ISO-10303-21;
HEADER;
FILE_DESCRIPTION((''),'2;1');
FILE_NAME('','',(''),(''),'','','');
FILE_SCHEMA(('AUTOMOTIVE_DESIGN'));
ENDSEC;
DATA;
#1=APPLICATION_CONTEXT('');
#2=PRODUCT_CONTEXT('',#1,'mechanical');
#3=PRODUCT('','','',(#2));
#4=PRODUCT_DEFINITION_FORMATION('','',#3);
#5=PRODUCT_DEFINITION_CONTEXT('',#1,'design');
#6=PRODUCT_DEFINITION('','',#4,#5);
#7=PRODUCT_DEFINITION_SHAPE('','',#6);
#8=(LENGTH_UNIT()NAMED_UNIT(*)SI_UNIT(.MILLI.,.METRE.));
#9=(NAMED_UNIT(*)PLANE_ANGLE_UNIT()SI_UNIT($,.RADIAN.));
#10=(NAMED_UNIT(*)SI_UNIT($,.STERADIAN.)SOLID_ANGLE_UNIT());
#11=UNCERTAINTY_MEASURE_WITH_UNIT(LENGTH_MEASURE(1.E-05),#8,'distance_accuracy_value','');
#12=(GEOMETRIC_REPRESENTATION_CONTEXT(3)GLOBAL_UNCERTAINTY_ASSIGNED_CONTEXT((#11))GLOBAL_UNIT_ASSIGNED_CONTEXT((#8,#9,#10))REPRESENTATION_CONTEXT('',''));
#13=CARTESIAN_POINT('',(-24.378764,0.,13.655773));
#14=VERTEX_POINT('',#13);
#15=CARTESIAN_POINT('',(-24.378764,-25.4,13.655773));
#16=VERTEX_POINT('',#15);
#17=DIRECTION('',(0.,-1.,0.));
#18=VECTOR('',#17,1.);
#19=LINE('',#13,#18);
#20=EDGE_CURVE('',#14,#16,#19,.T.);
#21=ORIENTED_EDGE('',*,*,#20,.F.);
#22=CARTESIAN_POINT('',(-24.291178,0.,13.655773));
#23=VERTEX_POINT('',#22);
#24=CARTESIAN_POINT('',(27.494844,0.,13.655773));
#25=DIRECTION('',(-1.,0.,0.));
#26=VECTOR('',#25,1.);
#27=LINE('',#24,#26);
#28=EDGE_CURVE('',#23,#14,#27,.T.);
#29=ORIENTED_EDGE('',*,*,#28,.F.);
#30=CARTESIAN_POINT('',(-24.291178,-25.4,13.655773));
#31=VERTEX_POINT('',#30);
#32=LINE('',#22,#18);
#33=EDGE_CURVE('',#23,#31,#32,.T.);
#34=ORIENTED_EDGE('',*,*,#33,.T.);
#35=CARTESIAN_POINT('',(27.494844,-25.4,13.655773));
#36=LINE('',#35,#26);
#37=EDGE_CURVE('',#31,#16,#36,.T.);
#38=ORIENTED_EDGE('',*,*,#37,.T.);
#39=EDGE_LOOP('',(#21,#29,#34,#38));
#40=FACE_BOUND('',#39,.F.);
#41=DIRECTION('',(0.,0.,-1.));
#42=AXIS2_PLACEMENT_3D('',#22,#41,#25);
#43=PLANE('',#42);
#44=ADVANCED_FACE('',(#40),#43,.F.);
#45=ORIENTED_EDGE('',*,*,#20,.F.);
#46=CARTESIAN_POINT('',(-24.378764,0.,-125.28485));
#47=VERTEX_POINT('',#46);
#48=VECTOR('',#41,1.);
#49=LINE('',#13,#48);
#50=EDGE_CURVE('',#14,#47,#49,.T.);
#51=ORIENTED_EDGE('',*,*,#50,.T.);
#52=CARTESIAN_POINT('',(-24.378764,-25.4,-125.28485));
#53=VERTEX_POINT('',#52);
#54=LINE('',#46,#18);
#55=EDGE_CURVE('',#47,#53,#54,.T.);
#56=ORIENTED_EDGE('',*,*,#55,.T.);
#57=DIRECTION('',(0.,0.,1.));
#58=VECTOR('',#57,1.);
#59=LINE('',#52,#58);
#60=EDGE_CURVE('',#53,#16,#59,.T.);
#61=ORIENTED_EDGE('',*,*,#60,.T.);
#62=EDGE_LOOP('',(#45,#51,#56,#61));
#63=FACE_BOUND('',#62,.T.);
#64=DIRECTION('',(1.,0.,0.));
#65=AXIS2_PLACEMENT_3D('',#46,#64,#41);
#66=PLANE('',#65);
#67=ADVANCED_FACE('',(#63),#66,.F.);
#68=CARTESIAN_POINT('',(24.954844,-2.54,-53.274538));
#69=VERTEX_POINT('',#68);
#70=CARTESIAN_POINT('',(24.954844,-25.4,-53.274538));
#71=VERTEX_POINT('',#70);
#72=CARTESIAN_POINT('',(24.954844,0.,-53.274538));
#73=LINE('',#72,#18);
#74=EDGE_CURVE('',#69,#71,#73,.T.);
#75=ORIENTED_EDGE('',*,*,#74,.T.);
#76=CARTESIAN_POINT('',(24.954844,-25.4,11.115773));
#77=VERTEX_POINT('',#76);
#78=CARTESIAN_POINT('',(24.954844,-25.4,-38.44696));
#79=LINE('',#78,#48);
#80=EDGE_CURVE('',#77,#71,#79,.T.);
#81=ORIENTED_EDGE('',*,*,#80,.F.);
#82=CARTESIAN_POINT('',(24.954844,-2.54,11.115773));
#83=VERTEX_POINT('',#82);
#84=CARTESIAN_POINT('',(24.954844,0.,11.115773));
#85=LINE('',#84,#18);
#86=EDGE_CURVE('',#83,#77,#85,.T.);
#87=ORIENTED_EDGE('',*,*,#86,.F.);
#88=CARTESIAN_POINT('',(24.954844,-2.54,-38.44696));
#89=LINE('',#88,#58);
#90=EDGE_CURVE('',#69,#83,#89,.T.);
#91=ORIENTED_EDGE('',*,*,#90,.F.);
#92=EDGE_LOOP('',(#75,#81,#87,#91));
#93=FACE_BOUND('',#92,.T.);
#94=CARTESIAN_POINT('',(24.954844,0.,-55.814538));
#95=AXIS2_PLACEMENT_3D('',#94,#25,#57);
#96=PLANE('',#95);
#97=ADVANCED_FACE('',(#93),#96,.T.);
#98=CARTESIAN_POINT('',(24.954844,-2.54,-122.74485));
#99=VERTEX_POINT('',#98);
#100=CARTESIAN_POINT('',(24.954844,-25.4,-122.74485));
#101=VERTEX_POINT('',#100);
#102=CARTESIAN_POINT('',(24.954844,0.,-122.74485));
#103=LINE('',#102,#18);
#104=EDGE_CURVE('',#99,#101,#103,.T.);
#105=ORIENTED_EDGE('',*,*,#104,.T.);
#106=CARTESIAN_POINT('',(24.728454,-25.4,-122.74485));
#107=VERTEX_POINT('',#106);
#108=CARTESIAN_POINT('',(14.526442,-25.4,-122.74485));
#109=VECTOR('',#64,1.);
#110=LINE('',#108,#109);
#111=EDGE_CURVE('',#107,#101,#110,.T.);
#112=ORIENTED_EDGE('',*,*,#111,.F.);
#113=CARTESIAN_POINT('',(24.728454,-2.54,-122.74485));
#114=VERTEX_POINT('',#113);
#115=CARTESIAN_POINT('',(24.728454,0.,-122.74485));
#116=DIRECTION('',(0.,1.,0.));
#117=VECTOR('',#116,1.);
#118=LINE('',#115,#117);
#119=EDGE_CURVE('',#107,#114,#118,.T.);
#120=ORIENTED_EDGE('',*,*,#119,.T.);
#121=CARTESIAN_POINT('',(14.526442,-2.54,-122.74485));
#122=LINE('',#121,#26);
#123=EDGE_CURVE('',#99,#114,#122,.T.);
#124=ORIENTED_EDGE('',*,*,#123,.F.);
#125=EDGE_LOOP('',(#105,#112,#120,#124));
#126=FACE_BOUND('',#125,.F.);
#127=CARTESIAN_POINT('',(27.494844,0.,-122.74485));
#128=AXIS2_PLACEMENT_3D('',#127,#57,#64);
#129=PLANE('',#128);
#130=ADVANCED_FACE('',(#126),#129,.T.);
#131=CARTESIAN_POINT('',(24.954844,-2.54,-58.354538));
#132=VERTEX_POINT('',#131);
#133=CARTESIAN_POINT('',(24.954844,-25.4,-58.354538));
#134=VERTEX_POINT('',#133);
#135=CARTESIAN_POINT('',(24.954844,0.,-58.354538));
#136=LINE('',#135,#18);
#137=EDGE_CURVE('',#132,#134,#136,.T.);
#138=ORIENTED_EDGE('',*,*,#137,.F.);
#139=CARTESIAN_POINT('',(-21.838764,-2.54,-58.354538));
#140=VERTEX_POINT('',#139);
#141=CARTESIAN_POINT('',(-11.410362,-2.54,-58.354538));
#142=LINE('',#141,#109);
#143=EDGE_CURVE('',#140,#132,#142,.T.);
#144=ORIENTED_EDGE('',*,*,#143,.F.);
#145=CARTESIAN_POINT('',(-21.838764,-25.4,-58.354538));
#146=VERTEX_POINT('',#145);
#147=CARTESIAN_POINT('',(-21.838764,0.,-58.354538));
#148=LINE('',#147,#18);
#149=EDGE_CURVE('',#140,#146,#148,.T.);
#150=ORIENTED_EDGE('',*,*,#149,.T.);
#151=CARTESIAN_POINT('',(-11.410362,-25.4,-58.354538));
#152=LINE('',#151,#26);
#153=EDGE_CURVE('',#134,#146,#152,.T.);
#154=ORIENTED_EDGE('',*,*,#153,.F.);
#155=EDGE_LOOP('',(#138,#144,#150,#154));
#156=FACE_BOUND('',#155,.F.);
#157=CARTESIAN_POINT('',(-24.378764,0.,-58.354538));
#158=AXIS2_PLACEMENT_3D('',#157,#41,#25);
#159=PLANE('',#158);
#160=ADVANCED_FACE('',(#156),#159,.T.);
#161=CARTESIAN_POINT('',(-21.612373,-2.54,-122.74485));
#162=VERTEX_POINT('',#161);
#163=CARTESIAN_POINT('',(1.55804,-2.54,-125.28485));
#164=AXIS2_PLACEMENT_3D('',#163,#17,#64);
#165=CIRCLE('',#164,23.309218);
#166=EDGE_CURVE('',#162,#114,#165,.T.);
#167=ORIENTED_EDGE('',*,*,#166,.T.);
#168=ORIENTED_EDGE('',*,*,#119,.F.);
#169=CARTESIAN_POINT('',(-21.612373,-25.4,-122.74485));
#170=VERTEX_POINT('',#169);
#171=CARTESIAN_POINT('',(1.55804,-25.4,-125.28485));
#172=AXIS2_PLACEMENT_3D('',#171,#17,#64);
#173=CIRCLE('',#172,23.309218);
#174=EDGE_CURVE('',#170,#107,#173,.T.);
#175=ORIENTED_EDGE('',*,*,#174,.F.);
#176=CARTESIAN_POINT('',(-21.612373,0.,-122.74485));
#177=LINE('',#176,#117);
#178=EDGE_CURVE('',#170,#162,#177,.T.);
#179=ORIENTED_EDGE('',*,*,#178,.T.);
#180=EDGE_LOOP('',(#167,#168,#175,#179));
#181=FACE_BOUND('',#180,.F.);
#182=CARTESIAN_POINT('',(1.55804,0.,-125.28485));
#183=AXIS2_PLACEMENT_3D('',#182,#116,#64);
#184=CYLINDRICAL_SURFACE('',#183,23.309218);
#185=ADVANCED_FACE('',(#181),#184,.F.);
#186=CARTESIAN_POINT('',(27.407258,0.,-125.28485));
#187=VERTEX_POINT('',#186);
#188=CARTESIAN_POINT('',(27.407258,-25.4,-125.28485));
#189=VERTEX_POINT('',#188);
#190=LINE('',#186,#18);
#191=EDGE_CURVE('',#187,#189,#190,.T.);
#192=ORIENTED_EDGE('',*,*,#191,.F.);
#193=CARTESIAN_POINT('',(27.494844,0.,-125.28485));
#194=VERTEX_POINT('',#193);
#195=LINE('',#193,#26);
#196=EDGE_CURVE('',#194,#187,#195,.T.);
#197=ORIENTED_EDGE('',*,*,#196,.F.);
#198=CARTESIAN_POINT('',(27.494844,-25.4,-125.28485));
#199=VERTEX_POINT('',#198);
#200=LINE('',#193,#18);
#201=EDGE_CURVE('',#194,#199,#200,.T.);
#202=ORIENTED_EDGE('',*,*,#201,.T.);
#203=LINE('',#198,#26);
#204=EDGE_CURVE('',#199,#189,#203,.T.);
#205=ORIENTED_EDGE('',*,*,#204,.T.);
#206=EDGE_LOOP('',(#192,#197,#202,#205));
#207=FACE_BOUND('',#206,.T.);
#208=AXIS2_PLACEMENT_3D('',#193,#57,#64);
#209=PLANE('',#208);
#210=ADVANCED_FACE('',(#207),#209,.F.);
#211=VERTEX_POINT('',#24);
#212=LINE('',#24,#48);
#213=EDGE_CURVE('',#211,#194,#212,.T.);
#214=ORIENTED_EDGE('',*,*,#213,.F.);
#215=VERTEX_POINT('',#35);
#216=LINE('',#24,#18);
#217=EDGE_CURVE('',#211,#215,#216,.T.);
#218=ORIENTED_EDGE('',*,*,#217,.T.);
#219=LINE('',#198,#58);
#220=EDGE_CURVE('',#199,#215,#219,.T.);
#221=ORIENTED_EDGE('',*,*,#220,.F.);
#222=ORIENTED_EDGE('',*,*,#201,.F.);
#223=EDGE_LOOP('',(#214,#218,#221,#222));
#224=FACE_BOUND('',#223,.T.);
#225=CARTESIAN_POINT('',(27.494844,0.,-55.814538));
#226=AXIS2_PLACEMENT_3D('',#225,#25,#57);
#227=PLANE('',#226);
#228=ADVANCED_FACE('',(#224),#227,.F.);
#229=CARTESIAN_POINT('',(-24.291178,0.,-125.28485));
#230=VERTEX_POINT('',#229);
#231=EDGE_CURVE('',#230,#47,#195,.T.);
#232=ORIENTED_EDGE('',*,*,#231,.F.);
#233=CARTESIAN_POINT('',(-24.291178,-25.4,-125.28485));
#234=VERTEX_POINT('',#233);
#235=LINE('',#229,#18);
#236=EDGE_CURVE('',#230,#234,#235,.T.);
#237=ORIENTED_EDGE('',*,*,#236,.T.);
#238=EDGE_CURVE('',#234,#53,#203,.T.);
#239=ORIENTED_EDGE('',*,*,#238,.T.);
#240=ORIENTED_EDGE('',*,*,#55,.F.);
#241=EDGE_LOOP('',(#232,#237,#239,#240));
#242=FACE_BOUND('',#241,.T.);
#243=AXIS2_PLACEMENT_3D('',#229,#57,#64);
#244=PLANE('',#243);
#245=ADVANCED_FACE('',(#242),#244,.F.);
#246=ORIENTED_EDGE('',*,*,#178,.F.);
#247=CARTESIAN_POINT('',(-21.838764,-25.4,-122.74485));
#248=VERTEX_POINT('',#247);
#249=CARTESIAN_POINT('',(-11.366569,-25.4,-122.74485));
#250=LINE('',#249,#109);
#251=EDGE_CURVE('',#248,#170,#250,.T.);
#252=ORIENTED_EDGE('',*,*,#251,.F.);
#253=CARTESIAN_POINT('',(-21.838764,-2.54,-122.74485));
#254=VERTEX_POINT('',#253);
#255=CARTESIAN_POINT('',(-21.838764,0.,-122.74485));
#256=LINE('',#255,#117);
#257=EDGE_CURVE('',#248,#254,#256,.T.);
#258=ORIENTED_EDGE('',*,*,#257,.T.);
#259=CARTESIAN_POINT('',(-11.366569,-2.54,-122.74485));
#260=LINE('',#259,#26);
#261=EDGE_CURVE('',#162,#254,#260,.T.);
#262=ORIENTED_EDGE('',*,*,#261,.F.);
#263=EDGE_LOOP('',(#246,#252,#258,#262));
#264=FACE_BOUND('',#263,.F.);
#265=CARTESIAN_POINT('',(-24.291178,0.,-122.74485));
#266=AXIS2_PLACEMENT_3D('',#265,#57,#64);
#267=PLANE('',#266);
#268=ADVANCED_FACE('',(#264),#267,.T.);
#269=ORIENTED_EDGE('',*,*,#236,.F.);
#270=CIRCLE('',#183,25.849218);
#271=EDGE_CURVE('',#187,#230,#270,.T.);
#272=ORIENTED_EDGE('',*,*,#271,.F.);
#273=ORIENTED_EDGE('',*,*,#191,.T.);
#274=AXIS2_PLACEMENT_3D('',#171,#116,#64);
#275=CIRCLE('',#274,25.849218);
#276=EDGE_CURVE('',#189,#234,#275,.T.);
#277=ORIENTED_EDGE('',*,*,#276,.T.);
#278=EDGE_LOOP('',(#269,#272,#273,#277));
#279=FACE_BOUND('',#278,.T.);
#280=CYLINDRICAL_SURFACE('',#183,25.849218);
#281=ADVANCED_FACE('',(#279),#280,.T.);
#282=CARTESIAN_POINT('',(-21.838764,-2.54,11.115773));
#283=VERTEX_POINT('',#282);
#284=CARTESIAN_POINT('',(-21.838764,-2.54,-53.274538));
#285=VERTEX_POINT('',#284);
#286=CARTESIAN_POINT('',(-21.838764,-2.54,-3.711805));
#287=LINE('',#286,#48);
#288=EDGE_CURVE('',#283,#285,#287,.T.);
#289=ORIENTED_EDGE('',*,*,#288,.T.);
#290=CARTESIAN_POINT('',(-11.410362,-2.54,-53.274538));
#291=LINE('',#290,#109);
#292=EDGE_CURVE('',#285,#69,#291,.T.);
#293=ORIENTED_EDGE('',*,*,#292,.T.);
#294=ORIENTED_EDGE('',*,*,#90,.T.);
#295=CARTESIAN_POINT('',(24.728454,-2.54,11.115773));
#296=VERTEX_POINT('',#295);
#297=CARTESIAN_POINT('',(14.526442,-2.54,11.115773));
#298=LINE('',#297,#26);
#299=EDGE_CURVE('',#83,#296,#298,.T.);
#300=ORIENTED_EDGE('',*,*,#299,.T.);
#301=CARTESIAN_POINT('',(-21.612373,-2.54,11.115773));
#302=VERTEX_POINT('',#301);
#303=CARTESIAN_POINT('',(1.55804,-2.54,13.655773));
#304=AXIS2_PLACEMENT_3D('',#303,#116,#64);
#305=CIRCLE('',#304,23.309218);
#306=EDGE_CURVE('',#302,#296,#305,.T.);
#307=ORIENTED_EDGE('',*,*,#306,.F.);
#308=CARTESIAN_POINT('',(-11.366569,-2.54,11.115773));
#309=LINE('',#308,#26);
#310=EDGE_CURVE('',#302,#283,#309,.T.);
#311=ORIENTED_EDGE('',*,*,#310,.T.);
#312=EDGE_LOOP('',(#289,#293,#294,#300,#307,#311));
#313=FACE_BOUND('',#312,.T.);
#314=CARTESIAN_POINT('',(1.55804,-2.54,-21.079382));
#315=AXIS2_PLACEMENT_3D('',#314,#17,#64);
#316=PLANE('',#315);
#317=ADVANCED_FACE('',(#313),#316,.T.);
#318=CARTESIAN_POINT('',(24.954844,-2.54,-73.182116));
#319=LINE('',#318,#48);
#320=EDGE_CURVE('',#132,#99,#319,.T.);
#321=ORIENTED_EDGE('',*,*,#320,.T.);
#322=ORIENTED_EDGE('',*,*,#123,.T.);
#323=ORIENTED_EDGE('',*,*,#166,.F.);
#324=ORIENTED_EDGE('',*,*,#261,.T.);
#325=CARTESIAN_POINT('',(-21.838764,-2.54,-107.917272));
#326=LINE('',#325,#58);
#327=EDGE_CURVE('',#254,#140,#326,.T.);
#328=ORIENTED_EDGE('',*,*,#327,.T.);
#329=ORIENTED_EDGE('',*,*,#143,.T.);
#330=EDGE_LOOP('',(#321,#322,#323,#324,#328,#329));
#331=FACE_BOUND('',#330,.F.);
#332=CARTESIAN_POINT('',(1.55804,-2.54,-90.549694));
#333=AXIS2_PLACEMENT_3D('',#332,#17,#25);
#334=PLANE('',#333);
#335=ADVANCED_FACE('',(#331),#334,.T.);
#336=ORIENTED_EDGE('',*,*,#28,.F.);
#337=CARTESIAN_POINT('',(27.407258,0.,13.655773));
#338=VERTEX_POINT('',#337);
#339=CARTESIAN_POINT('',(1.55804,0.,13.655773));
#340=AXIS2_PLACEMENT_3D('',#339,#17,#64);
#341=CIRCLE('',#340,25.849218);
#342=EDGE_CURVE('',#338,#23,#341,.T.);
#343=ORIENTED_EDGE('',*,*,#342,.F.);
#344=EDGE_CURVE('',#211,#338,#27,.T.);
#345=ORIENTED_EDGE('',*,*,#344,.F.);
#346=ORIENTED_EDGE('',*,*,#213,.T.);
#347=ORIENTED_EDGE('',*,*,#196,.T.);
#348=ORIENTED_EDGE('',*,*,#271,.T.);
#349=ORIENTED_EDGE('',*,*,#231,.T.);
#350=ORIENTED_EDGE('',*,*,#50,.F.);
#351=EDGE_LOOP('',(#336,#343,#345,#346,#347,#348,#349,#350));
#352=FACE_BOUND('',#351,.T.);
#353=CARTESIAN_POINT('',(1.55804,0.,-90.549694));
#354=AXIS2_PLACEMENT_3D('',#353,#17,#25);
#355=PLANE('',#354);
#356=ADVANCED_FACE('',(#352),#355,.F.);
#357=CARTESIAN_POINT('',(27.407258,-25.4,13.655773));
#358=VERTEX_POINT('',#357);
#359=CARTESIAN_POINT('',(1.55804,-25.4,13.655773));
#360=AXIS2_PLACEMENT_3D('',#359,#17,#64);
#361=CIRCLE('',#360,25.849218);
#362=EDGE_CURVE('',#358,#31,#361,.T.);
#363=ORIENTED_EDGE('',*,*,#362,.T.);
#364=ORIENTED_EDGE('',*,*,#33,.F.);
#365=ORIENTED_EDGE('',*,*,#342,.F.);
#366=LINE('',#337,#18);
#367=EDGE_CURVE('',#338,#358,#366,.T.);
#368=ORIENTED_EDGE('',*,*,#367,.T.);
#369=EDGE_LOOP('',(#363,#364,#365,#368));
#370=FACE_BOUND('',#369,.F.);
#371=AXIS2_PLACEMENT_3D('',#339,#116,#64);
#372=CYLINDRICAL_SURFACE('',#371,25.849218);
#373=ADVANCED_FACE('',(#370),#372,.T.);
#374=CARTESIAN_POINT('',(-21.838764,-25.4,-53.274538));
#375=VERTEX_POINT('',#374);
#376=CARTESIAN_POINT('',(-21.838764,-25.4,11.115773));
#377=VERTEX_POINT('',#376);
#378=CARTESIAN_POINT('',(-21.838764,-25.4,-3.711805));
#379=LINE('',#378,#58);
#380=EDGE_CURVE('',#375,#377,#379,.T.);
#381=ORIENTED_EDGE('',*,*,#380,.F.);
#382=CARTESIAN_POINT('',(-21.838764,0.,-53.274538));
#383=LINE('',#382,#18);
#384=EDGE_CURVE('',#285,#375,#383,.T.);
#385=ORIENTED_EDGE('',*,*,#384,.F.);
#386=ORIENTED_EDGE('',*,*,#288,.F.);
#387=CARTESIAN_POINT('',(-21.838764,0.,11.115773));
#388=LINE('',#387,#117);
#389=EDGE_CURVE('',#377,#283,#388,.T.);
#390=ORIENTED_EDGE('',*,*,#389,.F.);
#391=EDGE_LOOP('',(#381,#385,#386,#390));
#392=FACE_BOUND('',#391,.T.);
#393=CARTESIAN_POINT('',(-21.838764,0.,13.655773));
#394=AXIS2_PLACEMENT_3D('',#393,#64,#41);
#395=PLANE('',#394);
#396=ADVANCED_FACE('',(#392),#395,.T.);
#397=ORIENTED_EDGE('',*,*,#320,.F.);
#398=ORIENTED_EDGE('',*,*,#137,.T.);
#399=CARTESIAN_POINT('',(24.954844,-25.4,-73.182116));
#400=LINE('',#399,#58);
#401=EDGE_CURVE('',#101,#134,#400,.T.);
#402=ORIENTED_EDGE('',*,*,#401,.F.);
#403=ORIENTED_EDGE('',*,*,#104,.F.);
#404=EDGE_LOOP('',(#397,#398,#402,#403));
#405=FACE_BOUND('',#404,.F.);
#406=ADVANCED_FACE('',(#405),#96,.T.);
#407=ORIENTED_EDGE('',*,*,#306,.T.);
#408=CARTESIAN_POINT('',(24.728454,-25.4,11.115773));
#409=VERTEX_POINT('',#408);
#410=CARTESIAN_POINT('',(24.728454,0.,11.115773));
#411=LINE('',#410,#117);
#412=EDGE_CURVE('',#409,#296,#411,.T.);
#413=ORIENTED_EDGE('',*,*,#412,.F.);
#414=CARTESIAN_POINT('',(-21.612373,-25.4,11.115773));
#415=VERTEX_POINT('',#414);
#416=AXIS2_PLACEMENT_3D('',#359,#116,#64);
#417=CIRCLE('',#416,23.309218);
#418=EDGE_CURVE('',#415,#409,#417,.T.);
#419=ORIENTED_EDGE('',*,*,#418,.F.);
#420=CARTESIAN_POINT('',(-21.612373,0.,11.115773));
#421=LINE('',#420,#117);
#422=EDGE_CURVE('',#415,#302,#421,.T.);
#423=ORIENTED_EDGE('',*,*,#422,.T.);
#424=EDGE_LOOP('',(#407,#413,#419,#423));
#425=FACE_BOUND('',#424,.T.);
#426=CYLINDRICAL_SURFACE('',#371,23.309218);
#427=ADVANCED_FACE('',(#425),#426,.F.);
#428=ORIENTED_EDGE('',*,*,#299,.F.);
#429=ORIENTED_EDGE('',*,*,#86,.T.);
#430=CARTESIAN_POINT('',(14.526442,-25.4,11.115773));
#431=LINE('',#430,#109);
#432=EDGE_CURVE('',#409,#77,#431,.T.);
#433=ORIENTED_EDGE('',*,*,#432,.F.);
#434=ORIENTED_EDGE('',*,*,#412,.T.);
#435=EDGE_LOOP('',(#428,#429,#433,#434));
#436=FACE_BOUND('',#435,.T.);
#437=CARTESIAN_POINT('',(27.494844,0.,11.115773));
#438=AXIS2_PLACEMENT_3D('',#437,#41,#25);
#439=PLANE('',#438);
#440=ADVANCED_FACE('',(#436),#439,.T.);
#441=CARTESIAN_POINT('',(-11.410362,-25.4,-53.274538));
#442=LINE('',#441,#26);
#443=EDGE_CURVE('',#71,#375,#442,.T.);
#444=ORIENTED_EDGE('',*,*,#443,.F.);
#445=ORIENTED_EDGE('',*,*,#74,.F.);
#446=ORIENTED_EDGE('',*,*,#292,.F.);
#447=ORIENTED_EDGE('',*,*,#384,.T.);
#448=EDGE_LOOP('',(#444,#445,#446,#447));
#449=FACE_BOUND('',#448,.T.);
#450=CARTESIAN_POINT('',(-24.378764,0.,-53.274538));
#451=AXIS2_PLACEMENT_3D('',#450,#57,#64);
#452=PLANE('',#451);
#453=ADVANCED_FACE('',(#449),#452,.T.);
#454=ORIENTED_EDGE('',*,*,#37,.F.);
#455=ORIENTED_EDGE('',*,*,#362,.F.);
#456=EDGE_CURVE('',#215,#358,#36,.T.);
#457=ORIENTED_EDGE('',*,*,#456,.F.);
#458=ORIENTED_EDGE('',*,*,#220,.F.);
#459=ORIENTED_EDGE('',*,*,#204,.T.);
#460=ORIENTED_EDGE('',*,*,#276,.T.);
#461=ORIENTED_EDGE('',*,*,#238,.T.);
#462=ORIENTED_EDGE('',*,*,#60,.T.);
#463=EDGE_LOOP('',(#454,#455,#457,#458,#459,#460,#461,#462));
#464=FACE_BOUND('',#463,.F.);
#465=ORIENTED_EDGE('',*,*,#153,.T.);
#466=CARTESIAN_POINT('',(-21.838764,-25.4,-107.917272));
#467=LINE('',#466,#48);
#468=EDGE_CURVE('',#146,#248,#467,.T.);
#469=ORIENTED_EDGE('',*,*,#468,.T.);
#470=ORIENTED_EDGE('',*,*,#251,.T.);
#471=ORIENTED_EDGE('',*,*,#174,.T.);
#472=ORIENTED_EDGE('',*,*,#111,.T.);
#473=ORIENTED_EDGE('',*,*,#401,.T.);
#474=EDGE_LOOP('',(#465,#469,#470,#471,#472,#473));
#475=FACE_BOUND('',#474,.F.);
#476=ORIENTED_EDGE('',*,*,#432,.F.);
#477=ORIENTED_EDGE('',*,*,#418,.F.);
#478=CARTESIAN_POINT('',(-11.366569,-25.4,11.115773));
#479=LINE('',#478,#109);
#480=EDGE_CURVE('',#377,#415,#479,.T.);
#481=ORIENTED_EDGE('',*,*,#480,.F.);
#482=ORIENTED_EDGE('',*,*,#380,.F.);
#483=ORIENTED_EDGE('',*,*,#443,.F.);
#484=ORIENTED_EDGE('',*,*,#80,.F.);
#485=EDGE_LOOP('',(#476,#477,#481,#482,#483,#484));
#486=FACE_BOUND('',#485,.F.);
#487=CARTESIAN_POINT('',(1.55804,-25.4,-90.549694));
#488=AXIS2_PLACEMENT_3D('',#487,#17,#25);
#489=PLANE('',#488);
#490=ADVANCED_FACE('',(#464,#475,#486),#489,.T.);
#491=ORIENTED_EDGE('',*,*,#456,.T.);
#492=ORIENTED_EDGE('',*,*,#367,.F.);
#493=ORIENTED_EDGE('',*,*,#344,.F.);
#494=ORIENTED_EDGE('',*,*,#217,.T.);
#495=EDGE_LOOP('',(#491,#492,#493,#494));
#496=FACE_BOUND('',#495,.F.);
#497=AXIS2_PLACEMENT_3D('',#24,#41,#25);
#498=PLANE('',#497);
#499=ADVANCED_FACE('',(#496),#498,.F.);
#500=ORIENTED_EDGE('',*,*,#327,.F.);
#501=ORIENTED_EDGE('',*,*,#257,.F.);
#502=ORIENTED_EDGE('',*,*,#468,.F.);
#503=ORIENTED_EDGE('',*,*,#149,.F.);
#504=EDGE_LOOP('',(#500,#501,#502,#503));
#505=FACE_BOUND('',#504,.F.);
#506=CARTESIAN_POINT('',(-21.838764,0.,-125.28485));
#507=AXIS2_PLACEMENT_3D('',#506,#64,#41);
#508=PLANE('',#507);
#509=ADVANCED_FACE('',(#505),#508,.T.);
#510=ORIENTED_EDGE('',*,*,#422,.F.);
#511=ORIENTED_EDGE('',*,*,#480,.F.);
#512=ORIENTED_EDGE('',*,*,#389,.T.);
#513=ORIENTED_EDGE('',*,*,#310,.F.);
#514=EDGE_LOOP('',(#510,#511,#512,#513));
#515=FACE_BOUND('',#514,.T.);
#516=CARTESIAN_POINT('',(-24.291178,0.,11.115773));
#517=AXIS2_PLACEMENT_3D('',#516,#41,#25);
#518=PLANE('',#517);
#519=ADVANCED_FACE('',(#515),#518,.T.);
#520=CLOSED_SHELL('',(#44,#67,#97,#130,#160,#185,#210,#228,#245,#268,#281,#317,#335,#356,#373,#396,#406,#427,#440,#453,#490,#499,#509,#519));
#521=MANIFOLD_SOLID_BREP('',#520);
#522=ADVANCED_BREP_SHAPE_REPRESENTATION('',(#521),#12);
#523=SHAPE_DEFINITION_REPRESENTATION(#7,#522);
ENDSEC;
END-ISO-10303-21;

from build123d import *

# Parameters (mm, degrees)
F1_DEPTH = 25.4
F3_T     = -2.54


with BuildPart() as f1:
    # F0 (on Front) → F1 (new body)
    with BuildSketch(Plane.XZ):
        Polygon((-24.2911779621, 13.655773364), (-24.3787635118, 13.655773364), (-24.3787635118, -55.814538151), (27.4948440492, -55.814538151), (27.4948440492, 13.655773364), (27.4072584995, 13.655773364), align=None)
        with BuildLine():
            ThreePointArc((27.4072584995, 13.655773364), (1.5580402687, 39.5049915948), (-24.2911779621, 13.655773364))
            Line((-24.2911779621, 13.655773364), (27.4072584995, 13.655773364))
        make_face()
    extrude(amount=F1_DEPTH)

    # F3
    f3_openings = [f1.faces().sort_by_distance(p)[0] for p in [
        (1.55804, -25.4, -10.770056),
    ]]
    offset(amount=F3_T, openings=f3_openings, kind=Kind.INTERSECTION)

    # F4: F1 across face


with BuildPart() as f1_1:
    add(f1.part)
    add(f1.part.mirror(Plane(origin=(1.5580402687, -12.7, -55.814538151), x_dir=(1, 0, 0), z_dir=(0, 0, -1))))


solid = f1_1.part
